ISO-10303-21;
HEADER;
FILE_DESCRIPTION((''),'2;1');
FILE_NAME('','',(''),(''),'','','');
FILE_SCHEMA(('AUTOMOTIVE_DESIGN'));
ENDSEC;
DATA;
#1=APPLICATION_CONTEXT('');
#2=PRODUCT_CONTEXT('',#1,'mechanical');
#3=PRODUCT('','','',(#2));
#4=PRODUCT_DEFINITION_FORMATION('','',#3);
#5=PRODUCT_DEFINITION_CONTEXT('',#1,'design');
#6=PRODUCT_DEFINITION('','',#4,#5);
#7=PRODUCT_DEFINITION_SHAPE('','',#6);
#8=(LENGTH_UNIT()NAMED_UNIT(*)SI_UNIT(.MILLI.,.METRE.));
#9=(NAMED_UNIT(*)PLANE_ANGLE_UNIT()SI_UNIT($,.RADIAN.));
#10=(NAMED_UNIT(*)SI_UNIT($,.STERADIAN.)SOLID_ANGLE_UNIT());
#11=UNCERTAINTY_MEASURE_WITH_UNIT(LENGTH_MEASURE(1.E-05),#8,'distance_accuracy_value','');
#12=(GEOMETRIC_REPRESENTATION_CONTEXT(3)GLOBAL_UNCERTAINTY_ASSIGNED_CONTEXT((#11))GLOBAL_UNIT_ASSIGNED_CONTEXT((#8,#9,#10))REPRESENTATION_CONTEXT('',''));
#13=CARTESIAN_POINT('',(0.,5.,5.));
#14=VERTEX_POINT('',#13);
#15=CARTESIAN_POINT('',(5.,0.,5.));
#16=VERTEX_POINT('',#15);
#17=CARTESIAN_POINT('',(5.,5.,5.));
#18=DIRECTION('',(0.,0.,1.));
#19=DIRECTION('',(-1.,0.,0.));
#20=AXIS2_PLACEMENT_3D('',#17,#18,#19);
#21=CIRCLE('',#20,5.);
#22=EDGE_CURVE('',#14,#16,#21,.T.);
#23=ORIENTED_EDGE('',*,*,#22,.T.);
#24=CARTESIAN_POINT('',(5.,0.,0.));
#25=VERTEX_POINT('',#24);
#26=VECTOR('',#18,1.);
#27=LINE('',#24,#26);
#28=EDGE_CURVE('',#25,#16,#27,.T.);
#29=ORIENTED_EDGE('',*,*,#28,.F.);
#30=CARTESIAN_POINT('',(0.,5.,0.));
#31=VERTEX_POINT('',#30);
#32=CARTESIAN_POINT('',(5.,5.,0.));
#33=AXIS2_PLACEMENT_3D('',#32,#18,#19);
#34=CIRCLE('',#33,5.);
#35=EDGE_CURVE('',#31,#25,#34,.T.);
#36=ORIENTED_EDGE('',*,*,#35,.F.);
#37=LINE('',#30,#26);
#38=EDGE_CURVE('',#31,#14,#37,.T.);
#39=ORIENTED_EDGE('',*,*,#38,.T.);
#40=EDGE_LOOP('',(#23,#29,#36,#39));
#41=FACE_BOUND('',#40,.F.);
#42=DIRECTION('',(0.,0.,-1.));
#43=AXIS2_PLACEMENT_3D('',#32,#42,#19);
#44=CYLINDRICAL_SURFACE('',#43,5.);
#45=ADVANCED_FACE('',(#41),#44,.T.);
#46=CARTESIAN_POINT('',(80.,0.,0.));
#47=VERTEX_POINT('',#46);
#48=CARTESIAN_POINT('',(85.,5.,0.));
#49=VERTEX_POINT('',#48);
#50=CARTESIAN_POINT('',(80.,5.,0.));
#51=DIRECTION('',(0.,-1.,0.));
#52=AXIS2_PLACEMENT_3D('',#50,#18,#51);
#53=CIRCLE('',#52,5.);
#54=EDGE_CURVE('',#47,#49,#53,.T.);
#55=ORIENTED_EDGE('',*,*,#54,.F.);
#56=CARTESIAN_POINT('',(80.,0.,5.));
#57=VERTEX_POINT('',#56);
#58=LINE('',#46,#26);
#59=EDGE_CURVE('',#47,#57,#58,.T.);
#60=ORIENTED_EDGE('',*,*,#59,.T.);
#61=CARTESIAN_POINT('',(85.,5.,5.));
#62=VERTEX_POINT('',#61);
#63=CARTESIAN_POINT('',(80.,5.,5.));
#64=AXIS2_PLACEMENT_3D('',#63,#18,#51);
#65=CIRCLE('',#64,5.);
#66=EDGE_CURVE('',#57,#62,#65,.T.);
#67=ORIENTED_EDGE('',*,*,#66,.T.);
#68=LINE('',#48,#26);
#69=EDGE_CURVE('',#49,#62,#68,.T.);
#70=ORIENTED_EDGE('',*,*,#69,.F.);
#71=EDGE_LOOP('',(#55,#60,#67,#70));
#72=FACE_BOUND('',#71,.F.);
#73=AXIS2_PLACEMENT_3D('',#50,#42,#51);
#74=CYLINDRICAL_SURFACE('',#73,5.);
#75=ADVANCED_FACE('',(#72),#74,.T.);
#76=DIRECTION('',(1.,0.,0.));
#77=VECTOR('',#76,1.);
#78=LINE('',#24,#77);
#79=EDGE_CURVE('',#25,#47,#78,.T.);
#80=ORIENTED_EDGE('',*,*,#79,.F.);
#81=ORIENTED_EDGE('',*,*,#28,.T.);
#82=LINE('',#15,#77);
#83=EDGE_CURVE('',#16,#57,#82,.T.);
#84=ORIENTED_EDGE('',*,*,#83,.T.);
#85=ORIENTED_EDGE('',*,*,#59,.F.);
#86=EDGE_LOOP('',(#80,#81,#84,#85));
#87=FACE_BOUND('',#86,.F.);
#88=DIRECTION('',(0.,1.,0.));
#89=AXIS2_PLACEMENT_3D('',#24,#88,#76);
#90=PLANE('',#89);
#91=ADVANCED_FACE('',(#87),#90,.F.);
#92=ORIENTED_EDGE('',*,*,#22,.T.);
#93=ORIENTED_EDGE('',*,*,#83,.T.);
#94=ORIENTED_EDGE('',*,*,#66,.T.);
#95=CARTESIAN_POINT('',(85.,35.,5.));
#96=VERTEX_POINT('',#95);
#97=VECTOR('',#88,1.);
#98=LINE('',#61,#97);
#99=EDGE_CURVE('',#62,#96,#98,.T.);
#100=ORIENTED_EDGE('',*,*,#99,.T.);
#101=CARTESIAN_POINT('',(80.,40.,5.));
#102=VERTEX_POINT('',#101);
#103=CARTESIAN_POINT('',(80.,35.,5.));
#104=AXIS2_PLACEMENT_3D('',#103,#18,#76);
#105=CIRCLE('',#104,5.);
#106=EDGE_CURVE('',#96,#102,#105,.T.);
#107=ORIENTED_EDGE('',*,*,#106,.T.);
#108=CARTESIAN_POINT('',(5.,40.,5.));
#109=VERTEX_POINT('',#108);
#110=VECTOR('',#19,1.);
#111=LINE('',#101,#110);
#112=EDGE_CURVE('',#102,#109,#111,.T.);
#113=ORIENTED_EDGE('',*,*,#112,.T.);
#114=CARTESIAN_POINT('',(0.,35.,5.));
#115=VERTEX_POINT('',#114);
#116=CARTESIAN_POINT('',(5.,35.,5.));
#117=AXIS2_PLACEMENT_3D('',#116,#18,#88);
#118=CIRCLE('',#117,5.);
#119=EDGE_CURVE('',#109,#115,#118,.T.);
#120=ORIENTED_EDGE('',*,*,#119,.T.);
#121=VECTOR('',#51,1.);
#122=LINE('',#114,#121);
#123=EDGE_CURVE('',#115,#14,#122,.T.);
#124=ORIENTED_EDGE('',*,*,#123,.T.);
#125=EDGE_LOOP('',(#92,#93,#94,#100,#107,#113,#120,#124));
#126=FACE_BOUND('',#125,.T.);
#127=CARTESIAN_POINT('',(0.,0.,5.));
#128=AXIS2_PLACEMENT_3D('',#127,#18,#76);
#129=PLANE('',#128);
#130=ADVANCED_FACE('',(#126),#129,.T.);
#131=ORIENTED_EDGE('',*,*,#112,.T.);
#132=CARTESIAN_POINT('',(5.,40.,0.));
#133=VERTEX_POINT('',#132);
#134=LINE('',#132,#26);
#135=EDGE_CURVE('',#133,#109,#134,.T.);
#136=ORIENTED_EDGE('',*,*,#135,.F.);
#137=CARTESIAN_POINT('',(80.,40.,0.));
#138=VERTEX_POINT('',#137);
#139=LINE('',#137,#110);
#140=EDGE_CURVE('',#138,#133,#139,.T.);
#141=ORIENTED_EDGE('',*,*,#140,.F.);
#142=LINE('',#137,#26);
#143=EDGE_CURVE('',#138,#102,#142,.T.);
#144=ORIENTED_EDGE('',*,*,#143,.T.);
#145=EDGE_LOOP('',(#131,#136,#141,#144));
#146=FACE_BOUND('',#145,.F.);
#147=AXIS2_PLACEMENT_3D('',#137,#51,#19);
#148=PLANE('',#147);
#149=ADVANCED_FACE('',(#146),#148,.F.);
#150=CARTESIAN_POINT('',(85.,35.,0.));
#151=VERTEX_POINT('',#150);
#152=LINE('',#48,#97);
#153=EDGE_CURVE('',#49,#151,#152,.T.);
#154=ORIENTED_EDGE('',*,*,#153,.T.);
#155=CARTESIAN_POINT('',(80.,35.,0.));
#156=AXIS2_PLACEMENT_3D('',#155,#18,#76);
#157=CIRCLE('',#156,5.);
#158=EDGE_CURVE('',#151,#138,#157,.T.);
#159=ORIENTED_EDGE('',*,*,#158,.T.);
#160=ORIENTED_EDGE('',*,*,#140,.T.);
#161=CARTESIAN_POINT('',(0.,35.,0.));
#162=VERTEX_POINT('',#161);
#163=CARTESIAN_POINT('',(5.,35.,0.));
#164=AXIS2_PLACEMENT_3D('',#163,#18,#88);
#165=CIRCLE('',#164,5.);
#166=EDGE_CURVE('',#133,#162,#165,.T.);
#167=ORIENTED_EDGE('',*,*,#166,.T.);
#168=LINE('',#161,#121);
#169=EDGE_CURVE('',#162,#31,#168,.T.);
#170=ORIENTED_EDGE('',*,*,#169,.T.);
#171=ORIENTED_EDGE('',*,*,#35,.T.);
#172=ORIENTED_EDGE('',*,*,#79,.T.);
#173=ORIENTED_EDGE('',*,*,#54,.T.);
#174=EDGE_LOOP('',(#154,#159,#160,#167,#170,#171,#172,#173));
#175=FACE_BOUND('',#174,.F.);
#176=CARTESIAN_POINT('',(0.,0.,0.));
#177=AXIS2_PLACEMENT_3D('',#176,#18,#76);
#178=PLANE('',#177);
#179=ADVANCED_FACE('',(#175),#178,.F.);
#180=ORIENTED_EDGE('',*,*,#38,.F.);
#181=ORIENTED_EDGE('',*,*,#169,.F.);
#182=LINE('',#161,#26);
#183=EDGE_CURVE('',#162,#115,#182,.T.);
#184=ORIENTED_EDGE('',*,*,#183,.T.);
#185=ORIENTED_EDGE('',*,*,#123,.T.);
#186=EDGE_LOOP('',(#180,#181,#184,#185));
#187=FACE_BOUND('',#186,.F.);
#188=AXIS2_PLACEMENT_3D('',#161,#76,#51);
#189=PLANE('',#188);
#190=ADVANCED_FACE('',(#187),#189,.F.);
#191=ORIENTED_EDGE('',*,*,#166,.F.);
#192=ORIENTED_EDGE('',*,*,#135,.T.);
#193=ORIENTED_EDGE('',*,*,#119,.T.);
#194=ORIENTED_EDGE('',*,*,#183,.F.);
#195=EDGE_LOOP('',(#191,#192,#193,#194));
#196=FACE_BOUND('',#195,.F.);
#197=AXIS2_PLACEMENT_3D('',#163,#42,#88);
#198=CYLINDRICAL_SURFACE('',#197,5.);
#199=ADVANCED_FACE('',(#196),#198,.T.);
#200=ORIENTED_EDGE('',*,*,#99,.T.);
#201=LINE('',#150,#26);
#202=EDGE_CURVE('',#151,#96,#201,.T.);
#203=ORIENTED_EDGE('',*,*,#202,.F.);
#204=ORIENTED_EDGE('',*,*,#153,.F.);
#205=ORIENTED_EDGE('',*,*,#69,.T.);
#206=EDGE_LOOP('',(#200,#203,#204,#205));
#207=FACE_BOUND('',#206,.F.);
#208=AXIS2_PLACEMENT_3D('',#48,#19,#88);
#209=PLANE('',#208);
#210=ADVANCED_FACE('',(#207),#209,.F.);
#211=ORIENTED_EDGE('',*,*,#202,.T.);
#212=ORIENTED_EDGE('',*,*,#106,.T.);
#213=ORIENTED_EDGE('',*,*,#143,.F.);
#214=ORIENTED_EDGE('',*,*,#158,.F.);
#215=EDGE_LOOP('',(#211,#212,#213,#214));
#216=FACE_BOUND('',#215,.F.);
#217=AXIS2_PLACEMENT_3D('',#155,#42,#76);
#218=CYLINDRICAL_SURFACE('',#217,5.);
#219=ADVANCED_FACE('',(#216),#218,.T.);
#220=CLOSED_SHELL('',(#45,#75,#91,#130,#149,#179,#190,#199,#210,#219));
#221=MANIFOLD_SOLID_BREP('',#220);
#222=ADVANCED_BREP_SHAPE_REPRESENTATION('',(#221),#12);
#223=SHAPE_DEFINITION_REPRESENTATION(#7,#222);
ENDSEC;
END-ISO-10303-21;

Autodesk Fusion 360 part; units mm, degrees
sketch "Sketch1" plane through (0, 0, 0) normal (0, 0, 1) x (1, 0, 0)
  line L0 (5, 0) -> (80, 0)
  line L1 (85, 5) -> (85, 35)
  line L2 (80, 40) -> (5, 40)
  line L3 (0, 35) -> (0, 5)
  arc A0 (5, 40) -> (0, 35) centre (5, 35) ccw
  arc A1 (0, 5) -> (5, 0) centre (5, 5) ccw
  arc A2 (80, 0) -> (85, 5) centre (80, 5) ccw
  arc A3 (85, 35) -> (80, 40) centre (80, 35) ccw
  point P0 (85, 0)
  point P1 (0, 40)
  dimension "d1" = 85
  dimension "d2" = 40
  dimension "d3" = 5
extrude "Extrude1" add sketch "Sketch1" along normal blind 5
